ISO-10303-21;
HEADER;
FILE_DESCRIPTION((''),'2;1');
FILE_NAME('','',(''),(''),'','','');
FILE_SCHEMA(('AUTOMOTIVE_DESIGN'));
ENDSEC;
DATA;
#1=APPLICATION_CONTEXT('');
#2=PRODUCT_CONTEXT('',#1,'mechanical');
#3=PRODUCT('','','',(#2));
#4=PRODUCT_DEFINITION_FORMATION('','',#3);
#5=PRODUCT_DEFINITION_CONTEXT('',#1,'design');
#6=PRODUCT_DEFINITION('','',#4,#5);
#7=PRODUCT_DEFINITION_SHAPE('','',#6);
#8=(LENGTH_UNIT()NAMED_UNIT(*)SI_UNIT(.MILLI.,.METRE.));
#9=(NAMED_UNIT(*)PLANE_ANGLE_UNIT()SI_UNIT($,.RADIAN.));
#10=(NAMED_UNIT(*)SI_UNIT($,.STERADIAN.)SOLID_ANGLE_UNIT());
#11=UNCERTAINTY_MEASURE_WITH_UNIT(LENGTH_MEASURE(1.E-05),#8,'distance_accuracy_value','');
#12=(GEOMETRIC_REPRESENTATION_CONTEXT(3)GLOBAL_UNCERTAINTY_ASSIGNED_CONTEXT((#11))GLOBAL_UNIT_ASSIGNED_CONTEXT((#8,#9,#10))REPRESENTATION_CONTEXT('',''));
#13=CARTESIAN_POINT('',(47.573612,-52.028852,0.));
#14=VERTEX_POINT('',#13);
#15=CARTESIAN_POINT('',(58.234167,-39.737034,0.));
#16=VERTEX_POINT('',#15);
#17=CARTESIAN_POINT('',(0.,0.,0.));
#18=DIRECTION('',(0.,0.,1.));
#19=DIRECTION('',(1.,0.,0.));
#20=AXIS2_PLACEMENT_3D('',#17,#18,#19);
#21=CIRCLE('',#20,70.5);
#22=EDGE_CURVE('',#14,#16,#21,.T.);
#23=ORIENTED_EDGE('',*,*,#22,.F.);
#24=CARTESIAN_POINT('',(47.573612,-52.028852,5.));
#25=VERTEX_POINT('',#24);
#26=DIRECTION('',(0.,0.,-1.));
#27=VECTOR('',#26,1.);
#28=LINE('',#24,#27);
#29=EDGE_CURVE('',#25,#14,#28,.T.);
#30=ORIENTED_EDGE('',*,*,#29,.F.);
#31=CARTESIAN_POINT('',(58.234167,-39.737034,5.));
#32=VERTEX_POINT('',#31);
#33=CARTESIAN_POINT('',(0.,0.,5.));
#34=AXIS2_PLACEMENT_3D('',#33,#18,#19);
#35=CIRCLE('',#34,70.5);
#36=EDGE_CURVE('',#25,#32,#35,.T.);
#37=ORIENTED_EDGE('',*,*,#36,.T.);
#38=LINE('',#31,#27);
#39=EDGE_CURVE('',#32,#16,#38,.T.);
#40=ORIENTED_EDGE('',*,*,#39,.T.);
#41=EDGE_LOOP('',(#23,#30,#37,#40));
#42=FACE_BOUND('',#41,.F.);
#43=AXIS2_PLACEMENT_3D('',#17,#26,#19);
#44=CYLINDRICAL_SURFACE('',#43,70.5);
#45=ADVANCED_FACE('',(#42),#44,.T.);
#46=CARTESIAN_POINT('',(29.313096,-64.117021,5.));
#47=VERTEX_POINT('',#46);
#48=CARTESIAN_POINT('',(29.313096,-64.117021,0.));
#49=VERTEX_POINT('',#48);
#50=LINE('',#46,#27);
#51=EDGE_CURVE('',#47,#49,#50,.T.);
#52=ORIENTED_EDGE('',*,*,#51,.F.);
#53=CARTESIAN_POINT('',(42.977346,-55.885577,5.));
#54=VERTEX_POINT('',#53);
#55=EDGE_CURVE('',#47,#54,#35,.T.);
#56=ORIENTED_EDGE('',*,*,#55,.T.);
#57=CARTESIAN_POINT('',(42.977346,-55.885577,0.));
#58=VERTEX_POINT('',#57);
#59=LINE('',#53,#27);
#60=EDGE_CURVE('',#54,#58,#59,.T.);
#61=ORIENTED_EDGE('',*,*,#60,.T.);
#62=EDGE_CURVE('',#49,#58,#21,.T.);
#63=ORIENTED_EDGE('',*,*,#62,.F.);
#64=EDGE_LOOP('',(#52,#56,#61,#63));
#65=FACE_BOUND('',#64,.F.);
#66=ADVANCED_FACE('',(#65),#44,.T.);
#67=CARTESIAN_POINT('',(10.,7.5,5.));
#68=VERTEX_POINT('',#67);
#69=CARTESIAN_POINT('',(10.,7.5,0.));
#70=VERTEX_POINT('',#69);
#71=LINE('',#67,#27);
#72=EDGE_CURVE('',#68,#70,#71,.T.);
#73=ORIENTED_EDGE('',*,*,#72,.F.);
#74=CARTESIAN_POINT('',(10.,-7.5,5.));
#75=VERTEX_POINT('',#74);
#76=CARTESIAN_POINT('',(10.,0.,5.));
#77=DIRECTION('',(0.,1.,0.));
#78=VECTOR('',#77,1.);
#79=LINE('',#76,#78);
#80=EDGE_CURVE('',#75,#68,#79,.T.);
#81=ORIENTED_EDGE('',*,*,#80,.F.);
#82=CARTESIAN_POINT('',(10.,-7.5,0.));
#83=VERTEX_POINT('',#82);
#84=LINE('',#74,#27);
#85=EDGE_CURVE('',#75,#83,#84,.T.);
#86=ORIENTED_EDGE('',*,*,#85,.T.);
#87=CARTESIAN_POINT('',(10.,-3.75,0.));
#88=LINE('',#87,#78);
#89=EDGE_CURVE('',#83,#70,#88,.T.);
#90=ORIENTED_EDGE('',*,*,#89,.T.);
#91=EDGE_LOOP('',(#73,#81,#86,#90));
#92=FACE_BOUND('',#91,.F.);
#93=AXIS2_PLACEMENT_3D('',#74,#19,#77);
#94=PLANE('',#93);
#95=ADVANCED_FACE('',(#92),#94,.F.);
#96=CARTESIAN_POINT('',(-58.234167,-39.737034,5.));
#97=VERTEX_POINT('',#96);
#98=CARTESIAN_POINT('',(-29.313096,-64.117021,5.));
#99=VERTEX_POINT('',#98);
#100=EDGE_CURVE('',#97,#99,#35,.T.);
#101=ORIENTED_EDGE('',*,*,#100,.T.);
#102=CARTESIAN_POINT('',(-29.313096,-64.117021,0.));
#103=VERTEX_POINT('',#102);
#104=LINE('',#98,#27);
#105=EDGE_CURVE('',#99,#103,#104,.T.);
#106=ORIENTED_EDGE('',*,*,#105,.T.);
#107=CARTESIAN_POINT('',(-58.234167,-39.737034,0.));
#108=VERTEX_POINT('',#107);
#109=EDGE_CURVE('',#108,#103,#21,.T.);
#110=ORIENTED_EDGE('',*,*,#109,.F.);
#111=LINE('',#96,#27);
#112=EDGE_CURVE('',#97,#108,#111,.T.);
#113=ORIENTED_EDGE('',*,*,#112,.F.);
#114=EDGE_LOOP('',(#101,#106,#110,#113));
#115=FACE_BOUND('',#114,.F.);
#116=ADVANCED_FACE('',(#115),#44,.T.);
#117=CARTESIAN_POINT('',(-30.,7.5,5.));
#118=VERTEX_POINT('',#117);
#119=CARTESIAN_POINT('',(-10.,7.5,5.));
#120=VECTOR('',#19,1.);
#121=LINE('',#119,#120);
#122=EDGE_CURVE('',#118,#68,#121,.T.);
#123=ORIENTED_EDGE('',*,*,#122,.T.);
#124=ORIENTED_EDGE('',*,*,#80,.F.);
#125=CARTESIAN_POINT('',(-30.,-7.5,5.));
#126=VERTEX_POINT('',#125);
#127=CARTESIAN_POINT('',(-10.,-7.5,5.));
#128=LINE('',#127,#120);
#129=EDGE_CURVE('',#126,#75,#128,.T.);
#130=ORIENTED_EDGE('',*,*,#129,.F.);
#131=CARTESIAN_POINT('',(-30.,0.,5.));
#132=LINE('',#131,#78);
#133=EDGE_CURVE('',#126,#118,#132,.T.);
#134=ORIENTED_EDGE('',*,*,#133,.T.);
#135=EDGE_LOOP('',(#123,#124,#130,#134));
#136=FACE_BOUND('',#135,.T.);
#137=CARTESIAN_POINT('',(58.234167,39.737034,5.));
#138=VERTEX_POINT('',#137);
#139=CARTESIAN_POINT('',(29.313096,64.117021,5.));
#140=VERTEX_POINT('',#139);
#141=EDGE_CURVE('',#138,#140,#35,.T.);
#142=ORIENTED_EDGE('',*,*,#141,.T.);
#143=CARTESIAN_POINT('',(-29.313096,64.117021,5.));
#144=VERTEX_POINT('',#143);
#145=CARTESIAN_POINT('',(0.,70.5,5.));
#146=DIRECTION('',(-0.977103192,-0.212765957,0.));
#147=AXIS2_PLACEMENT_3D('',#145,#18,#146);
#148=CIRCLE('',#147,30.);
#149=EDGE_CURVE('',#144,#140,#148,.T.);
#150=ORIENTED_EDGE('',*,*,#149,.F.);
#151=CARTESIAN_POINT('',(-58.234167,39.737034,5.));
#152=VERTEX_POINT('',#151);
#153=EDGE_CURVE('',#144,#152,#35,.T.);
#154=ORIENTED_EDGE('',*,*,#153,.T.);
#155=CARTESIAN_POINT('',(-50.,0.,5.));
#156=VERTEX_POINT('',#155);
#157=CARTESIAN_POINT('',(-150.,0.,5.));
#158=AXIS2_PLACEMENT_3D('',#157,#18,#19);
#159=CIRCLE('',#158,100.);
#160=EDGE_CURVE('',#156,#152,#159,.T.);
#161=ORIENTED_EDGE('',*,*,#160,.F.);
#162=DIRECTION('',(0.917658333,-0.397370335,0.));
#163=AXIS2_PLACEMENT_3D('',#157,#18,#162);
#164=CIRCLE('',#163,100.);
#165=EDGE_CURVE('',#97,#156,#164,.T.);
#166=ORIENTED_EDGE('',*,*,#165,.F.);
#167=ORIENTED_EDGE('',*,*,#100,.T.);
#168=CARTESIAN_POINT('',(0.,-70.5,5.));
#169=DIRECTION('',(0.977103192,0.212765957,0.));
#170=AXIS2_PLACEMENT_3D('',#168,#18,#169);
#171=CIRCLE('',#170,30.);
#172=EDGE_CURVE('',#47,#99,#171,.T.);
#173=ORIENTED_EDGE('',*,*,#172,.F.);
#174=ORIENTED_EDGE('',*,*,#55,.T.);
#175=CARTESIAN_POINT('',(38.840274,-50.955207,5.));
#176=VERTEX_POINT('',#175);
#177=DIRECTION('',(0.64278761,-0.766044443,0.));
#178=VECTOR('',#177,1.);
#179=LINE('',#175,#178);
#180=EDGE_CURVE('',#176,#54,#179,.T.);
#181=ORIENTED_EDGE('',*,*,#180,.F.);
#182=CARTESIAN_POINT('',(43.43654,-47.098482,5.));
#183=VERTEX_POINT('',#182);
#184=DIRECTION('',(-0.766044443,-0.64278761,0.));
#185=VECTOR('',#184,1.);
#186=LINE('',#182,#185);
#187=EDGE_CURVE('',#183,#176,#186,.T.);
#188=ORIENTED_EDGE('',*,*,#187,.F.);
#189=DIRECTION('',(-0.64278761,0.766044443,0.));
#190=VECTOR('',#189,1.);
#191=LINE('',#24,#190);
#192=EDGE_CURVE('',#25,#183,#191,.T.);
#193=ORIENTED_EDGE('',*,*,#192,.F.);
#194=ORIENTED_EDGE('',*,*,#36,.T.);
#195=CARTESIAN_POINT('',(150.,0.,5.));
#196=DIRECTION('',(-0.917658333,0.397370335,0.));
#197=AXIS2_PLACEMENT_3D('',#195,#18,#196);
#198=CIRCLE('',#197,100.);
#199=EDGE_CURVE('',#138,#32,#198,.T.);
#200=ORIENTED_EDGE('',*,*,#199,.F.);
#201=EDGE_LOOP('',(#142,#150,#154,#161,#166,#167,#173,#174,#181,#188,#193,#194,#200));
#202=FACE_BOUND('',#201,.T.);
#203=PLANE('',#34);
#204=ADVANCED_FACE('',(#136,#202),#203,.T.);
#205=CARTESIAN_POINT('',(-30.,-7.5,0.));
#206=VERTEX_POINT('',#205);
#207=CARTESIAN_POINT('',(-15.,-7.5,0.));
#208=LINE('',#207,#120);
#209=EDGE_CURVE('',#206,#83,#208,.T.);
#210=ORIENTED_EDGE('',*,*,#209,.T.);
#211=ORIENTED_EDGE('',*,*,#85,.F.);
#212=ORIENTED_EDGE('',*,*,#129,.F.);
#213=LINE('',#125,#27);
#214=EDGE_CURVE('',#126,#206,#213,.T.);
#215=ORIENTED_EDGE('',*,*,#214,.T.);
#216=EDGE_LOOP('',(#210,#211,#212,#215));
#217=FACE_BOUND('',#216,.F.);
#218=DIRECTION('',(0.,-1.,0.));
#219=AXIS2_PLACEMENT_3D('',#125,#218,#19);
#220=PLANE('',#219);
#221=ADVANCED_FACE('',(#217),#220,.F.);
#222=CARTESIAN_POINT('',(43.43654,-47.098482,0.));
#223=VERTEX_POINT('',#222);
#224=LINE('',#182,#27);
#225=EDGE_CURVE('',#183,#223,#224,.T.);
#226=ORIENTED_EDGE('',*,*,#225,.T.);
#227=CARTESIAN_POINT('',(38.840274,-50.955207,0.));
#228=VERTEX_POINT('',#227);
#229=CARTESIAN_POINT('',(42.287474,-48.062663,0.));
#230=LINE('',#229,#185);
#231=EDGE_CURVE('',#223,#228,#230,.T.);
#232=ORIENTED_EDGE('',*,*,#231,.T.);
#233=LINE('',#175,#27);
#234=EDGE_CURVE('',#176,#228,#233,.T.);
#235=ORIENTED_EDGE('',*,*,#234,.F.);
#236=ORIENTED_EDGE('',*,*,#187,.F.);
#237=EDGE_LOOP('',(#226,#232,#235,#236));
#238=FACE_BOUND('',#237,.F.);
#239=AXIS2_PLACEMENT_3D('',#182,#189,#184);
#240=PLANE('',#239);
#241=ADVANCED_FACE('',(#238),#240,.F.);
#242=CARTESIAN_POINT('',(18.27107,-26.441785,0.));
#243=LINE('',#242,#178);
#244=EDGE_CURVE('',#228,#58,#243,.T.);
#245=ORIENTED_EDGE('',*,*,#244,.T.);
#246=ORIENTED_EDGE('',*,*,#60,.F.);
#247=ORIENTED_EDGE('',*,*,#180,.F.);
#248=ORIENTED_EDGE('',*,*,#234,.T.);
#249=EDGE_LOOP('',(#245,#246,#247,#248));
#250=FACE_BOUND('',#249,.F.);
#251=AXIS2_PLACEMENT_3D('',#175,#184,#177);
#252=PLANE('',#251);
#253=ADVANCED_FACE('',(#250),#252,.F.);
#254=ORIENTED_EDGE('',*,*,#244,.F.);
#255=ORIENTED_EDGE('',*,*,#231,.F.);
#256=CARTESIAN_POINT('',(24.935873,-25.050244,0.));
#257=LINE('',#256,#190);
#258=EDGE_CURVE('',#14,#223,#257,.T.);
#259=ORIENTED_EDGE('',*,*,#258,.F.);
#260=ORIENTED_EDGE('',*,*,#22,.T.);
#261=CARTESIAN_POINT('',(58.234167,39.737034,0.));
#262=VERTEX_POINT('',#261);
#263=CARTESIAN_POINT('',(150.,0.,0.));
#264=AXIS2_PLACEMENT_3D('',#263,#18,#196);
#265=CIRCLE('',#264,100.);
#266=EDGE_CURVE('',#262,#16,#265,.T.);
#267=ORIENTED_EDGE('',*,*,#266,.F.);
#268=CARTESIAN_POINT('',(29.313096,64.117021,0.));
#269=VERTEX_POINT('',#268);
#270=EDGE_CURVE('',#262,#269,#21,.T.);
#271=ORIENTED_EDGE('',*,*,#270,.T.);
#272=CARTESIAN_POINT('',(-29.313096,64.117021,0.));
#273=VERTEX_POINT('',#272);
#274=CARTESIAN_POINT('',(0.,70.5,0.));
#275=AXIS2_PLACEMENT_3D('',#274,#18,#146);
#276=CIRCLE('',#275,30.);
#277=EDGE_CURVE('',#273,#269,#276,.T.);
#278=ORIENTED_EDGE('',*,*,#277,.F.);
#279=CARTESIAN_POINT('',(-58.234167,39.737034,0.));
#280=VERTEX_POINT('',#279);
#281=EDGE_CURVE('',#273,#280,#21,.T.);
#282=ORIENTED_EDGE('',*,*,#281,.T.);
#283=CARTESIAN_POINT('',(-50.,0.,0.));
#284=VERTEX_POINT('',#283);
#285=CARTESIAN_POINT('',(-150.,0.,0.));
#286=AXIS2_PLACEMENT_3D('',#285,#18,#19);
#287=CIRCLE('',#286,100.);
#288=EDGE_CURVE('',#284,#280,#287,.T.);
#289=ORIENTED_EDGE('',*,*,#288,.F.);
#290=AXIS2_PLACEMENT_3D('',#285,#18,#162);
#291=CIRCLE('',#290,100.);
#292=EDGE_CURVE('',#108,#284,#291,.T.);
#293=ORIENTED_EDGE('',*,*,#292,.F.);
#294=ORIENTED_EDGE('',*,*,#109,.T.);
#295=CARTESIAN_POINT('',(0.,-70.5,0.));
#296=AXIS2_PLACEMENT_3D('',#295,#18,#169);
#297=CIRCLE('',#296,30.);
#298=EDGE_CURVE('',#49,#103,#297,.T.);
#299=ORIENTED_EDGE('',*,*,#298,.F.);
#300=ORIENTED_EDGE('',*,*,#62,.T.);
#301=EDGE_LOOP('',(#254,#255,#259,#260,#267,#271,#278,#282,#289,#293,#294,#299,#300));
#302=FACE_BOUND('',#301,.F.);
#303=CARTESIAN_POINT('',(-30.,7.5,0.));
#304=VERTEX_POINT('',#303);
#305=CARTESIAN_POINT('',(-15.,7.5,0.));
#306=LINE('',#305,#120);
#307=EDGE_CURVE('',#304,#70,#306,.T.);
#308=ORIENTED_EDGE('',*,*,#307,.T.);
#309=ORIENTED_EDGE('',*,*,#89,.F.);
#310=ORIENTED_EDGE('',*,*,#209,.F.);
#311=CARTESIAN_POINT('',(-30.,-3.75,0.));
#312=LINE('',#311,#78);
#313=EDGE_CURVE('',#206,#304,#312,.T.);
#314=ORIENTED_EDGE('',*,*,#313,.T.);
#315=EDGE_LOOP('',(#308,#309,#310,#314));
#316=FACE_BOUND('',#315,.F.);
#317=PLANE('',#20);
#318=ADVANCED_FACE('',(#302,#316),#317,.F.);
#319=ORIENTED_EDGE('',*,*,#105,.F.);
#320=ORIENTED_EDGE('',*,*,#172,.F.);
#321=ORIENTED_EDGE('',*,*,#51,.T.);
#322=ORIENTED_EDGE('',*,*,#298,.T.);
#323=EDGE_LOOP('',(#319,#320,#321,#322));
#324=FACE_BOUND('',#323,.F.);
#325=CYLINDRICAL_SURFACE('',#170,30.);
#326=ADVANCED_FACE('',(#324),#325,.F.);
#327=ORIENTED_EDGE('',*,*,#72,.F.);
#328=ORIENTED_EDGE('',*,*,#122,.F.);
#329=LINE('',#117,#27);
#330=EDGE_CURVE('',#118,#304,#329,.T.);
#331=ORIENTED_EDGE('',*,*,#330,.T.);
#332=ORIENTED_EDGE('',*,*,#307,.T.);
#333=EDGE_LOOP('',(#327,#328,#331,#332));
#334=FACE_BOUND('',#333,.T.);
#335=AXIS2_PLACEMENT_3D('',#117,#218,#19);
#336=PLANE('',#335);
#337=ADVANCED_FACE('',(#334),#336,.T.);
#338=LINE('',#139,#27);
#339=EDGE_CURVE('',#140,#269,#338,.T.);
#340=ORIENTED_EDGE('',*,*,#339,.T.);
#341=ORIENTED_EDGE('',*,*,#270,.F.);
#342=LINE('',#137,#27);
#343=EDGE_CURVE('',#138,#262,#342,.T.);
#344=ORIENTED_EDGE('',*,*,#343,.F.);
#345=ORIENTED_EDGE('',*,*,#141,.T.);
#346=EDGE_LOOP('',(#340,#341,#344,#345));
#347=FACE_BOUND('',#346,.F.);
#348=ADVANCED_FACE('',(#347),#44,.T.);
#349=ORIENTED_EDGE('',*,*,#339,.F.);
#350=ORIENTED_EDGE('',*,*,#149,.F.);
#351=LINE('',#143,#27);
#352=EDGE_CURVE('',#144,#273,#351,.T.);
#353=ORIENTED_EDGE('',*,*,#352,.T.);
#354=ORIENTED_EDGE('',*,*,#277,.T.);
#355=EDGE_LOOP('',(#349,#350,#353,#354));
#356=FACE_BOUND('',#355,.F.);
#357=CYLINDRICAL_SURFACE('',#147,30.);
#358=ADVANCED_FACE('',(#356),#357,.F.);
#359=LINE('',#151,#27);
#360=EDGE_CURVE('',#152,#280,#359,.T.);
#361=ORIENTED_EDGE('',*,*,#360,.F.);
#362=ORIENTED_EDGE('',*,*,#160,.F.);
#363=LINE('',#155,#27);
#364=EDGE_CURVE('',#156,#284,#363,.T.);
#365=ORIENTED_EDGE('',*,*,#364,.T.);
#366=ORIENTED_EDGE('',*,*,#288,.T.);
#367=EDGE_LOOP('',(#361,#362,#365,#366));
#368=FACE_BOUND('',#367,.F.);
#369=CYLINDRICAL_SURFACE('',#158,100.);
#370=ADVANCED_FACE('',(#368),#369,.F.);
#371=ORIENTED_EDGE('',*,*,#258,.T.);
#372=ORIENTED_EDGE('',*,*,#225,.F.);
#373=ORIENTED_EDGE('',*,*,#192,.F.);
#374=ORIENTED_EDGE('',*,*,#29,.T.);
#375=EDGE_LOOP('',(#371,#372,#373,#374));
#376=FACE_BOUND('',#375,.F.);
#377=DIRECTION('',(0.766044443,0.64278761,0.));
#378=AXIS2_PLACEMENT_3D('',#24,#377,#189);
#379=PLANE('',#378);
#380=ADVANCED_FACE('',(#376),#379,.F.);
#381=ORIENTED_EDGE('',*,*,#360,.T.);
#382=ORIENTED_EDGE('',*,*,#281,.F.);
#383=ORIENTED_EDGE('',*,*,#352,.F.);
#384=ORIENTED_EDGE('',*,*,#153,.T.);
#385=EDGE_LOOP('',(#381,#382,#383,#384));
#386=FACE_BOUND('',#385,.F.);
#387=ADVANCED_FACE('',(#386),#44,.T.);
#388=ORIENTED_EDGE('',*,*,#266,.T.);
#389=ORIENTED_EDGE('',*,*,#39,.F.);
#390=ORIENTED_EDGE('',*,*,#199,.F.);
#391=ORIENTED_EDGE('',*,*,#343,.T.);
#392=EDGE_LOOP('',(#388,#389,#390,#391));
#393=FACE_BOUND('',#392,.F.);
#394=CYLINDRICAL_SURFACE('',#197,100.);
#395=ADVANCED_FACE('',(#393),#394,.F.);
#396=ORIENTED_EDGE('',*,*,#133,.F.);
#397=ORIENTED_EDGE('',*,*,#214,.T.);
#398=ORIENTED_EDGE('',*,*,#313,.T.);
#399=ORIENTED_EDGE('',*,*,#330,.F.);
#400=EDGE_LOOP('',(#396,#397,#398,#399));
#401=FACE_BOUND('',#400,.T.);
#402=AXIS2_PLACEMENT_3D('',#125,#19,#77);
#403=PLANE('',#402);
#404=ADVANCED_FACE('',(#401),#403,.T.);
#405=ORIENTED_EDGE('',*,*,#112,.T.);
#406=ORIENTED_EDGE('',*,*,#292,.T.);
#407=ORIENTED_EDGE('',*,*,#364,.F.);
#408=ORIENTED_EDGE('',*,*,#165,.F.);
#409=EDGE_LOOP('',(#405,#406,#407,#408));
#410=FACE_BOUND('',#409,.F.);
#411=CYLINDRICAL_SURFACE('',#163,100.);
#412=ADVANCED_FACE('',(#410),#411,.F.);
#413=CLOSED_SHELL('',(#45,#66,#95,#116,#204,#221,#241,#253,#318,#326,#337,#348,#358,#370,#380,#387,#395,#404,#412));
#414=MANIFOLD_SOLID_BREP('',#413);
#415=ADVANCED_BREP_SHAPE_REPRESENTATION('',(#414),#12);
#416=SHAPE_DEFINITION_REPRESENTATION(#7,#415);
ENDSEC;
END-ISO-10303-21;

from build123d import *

# Parameters (mm, degrees)
F0_R     = 70.5
F1_DEPTH = 5
F2_W     = 40
F2_H     = 15
F3_DEPTH = 25
F5_DEPTH = 25
F7_DEPTH = 25


with BuildPart() as f1:
    # F0 (on Top) → F1 (new body)
    with BuildSketch(Plane.XY):
        Circle(F0_R)
    extrude(amount=F1_DEPTH)

    # F2 (on face) → F3 (cut)
    with BuildSketch(Plane.XY.offset(5)):
        with Locations((-10, 0)):
            Rectangle(F2_W, F2_H)
    extrude(amount=-F3_DEPTH, mode=Mode.SUBTRACT)

    # F4 (on face) → F5 (cut)
    with BuildSketch(Plane.XY.offset(5)):
        with BuildLine():
            ThreePointArc((29.3130957529, 64.1170212766), (0, 70.5), (-29.3130957529, 64.1170212766))
            ThreePointArc((-29.3130957529, 64.1170212766), (0, 40.5), (29.3130957529, 64.1170212766))
        make_face()
        with BuildLine():
            ThreePointArc((-50, 0), (-52.0801773558, 20.2905971655), (-58.2341666667, 39.7370335158))
            ThreePointArc((-58.2341666667, 39.7370335158), (-70.5, 0), (-58.2341666667, -39.7370335158))
            ThreePointArc((-58.2341666667, -39.7370335158), (-52.0801773558, -20.2905971655), (-50, 0))
        make_face()
        with BuildLine():
            ThreePointArc((29.3130957529, -64.1170212766), (0, -40.5), (-29.3130957529, -64.1170212766))
            ThreePointArc((-29.3130957529, -64.1170212766), (0, -70.5), (29.3130957529, -64.1170212766))
        make_face()
        with BuildLine():
            ThreePointArc((70.5, 0), (67.363783853, 20.7935236312), (58.2341666667, 39.7370335158))
            ThreePointArc((58.2341666667, 39.7370335158), (50, 0), (58.2341666667, -39.7370335158))
            ThreePointArc((58.2341666667, -39.7370335158), (67.363783853, -20.7935236312), (70.5, 0))
        make_face()
    extrude(amount=-F5_DEPTH, mode=Mode.SUBTRACT)

    # F6 (on face) → F7 (cut)
    with BuildSketch(Plane.XY.offset(5)):
        with BuildLine():
            ThreePointArc((42.9773455668, -55.88557746), (45.3165264829, -54.0061332399), (47.5736122255, -52.0288518018))
            Line((47.5736122255, -52.0288518018), (43.4365403493, -47.0984815306))
            Line((43.4365403493, -47.0984815306), (38.8402736906, -50.9552071887))
            Line((38.8402736906, -50.9552071887), (42.9773455668, -55.88557746))
        make_face()
    extrude(amount=-F7_DEPTH, mode=Mode.SUBTRACT)


solid = f1.part
